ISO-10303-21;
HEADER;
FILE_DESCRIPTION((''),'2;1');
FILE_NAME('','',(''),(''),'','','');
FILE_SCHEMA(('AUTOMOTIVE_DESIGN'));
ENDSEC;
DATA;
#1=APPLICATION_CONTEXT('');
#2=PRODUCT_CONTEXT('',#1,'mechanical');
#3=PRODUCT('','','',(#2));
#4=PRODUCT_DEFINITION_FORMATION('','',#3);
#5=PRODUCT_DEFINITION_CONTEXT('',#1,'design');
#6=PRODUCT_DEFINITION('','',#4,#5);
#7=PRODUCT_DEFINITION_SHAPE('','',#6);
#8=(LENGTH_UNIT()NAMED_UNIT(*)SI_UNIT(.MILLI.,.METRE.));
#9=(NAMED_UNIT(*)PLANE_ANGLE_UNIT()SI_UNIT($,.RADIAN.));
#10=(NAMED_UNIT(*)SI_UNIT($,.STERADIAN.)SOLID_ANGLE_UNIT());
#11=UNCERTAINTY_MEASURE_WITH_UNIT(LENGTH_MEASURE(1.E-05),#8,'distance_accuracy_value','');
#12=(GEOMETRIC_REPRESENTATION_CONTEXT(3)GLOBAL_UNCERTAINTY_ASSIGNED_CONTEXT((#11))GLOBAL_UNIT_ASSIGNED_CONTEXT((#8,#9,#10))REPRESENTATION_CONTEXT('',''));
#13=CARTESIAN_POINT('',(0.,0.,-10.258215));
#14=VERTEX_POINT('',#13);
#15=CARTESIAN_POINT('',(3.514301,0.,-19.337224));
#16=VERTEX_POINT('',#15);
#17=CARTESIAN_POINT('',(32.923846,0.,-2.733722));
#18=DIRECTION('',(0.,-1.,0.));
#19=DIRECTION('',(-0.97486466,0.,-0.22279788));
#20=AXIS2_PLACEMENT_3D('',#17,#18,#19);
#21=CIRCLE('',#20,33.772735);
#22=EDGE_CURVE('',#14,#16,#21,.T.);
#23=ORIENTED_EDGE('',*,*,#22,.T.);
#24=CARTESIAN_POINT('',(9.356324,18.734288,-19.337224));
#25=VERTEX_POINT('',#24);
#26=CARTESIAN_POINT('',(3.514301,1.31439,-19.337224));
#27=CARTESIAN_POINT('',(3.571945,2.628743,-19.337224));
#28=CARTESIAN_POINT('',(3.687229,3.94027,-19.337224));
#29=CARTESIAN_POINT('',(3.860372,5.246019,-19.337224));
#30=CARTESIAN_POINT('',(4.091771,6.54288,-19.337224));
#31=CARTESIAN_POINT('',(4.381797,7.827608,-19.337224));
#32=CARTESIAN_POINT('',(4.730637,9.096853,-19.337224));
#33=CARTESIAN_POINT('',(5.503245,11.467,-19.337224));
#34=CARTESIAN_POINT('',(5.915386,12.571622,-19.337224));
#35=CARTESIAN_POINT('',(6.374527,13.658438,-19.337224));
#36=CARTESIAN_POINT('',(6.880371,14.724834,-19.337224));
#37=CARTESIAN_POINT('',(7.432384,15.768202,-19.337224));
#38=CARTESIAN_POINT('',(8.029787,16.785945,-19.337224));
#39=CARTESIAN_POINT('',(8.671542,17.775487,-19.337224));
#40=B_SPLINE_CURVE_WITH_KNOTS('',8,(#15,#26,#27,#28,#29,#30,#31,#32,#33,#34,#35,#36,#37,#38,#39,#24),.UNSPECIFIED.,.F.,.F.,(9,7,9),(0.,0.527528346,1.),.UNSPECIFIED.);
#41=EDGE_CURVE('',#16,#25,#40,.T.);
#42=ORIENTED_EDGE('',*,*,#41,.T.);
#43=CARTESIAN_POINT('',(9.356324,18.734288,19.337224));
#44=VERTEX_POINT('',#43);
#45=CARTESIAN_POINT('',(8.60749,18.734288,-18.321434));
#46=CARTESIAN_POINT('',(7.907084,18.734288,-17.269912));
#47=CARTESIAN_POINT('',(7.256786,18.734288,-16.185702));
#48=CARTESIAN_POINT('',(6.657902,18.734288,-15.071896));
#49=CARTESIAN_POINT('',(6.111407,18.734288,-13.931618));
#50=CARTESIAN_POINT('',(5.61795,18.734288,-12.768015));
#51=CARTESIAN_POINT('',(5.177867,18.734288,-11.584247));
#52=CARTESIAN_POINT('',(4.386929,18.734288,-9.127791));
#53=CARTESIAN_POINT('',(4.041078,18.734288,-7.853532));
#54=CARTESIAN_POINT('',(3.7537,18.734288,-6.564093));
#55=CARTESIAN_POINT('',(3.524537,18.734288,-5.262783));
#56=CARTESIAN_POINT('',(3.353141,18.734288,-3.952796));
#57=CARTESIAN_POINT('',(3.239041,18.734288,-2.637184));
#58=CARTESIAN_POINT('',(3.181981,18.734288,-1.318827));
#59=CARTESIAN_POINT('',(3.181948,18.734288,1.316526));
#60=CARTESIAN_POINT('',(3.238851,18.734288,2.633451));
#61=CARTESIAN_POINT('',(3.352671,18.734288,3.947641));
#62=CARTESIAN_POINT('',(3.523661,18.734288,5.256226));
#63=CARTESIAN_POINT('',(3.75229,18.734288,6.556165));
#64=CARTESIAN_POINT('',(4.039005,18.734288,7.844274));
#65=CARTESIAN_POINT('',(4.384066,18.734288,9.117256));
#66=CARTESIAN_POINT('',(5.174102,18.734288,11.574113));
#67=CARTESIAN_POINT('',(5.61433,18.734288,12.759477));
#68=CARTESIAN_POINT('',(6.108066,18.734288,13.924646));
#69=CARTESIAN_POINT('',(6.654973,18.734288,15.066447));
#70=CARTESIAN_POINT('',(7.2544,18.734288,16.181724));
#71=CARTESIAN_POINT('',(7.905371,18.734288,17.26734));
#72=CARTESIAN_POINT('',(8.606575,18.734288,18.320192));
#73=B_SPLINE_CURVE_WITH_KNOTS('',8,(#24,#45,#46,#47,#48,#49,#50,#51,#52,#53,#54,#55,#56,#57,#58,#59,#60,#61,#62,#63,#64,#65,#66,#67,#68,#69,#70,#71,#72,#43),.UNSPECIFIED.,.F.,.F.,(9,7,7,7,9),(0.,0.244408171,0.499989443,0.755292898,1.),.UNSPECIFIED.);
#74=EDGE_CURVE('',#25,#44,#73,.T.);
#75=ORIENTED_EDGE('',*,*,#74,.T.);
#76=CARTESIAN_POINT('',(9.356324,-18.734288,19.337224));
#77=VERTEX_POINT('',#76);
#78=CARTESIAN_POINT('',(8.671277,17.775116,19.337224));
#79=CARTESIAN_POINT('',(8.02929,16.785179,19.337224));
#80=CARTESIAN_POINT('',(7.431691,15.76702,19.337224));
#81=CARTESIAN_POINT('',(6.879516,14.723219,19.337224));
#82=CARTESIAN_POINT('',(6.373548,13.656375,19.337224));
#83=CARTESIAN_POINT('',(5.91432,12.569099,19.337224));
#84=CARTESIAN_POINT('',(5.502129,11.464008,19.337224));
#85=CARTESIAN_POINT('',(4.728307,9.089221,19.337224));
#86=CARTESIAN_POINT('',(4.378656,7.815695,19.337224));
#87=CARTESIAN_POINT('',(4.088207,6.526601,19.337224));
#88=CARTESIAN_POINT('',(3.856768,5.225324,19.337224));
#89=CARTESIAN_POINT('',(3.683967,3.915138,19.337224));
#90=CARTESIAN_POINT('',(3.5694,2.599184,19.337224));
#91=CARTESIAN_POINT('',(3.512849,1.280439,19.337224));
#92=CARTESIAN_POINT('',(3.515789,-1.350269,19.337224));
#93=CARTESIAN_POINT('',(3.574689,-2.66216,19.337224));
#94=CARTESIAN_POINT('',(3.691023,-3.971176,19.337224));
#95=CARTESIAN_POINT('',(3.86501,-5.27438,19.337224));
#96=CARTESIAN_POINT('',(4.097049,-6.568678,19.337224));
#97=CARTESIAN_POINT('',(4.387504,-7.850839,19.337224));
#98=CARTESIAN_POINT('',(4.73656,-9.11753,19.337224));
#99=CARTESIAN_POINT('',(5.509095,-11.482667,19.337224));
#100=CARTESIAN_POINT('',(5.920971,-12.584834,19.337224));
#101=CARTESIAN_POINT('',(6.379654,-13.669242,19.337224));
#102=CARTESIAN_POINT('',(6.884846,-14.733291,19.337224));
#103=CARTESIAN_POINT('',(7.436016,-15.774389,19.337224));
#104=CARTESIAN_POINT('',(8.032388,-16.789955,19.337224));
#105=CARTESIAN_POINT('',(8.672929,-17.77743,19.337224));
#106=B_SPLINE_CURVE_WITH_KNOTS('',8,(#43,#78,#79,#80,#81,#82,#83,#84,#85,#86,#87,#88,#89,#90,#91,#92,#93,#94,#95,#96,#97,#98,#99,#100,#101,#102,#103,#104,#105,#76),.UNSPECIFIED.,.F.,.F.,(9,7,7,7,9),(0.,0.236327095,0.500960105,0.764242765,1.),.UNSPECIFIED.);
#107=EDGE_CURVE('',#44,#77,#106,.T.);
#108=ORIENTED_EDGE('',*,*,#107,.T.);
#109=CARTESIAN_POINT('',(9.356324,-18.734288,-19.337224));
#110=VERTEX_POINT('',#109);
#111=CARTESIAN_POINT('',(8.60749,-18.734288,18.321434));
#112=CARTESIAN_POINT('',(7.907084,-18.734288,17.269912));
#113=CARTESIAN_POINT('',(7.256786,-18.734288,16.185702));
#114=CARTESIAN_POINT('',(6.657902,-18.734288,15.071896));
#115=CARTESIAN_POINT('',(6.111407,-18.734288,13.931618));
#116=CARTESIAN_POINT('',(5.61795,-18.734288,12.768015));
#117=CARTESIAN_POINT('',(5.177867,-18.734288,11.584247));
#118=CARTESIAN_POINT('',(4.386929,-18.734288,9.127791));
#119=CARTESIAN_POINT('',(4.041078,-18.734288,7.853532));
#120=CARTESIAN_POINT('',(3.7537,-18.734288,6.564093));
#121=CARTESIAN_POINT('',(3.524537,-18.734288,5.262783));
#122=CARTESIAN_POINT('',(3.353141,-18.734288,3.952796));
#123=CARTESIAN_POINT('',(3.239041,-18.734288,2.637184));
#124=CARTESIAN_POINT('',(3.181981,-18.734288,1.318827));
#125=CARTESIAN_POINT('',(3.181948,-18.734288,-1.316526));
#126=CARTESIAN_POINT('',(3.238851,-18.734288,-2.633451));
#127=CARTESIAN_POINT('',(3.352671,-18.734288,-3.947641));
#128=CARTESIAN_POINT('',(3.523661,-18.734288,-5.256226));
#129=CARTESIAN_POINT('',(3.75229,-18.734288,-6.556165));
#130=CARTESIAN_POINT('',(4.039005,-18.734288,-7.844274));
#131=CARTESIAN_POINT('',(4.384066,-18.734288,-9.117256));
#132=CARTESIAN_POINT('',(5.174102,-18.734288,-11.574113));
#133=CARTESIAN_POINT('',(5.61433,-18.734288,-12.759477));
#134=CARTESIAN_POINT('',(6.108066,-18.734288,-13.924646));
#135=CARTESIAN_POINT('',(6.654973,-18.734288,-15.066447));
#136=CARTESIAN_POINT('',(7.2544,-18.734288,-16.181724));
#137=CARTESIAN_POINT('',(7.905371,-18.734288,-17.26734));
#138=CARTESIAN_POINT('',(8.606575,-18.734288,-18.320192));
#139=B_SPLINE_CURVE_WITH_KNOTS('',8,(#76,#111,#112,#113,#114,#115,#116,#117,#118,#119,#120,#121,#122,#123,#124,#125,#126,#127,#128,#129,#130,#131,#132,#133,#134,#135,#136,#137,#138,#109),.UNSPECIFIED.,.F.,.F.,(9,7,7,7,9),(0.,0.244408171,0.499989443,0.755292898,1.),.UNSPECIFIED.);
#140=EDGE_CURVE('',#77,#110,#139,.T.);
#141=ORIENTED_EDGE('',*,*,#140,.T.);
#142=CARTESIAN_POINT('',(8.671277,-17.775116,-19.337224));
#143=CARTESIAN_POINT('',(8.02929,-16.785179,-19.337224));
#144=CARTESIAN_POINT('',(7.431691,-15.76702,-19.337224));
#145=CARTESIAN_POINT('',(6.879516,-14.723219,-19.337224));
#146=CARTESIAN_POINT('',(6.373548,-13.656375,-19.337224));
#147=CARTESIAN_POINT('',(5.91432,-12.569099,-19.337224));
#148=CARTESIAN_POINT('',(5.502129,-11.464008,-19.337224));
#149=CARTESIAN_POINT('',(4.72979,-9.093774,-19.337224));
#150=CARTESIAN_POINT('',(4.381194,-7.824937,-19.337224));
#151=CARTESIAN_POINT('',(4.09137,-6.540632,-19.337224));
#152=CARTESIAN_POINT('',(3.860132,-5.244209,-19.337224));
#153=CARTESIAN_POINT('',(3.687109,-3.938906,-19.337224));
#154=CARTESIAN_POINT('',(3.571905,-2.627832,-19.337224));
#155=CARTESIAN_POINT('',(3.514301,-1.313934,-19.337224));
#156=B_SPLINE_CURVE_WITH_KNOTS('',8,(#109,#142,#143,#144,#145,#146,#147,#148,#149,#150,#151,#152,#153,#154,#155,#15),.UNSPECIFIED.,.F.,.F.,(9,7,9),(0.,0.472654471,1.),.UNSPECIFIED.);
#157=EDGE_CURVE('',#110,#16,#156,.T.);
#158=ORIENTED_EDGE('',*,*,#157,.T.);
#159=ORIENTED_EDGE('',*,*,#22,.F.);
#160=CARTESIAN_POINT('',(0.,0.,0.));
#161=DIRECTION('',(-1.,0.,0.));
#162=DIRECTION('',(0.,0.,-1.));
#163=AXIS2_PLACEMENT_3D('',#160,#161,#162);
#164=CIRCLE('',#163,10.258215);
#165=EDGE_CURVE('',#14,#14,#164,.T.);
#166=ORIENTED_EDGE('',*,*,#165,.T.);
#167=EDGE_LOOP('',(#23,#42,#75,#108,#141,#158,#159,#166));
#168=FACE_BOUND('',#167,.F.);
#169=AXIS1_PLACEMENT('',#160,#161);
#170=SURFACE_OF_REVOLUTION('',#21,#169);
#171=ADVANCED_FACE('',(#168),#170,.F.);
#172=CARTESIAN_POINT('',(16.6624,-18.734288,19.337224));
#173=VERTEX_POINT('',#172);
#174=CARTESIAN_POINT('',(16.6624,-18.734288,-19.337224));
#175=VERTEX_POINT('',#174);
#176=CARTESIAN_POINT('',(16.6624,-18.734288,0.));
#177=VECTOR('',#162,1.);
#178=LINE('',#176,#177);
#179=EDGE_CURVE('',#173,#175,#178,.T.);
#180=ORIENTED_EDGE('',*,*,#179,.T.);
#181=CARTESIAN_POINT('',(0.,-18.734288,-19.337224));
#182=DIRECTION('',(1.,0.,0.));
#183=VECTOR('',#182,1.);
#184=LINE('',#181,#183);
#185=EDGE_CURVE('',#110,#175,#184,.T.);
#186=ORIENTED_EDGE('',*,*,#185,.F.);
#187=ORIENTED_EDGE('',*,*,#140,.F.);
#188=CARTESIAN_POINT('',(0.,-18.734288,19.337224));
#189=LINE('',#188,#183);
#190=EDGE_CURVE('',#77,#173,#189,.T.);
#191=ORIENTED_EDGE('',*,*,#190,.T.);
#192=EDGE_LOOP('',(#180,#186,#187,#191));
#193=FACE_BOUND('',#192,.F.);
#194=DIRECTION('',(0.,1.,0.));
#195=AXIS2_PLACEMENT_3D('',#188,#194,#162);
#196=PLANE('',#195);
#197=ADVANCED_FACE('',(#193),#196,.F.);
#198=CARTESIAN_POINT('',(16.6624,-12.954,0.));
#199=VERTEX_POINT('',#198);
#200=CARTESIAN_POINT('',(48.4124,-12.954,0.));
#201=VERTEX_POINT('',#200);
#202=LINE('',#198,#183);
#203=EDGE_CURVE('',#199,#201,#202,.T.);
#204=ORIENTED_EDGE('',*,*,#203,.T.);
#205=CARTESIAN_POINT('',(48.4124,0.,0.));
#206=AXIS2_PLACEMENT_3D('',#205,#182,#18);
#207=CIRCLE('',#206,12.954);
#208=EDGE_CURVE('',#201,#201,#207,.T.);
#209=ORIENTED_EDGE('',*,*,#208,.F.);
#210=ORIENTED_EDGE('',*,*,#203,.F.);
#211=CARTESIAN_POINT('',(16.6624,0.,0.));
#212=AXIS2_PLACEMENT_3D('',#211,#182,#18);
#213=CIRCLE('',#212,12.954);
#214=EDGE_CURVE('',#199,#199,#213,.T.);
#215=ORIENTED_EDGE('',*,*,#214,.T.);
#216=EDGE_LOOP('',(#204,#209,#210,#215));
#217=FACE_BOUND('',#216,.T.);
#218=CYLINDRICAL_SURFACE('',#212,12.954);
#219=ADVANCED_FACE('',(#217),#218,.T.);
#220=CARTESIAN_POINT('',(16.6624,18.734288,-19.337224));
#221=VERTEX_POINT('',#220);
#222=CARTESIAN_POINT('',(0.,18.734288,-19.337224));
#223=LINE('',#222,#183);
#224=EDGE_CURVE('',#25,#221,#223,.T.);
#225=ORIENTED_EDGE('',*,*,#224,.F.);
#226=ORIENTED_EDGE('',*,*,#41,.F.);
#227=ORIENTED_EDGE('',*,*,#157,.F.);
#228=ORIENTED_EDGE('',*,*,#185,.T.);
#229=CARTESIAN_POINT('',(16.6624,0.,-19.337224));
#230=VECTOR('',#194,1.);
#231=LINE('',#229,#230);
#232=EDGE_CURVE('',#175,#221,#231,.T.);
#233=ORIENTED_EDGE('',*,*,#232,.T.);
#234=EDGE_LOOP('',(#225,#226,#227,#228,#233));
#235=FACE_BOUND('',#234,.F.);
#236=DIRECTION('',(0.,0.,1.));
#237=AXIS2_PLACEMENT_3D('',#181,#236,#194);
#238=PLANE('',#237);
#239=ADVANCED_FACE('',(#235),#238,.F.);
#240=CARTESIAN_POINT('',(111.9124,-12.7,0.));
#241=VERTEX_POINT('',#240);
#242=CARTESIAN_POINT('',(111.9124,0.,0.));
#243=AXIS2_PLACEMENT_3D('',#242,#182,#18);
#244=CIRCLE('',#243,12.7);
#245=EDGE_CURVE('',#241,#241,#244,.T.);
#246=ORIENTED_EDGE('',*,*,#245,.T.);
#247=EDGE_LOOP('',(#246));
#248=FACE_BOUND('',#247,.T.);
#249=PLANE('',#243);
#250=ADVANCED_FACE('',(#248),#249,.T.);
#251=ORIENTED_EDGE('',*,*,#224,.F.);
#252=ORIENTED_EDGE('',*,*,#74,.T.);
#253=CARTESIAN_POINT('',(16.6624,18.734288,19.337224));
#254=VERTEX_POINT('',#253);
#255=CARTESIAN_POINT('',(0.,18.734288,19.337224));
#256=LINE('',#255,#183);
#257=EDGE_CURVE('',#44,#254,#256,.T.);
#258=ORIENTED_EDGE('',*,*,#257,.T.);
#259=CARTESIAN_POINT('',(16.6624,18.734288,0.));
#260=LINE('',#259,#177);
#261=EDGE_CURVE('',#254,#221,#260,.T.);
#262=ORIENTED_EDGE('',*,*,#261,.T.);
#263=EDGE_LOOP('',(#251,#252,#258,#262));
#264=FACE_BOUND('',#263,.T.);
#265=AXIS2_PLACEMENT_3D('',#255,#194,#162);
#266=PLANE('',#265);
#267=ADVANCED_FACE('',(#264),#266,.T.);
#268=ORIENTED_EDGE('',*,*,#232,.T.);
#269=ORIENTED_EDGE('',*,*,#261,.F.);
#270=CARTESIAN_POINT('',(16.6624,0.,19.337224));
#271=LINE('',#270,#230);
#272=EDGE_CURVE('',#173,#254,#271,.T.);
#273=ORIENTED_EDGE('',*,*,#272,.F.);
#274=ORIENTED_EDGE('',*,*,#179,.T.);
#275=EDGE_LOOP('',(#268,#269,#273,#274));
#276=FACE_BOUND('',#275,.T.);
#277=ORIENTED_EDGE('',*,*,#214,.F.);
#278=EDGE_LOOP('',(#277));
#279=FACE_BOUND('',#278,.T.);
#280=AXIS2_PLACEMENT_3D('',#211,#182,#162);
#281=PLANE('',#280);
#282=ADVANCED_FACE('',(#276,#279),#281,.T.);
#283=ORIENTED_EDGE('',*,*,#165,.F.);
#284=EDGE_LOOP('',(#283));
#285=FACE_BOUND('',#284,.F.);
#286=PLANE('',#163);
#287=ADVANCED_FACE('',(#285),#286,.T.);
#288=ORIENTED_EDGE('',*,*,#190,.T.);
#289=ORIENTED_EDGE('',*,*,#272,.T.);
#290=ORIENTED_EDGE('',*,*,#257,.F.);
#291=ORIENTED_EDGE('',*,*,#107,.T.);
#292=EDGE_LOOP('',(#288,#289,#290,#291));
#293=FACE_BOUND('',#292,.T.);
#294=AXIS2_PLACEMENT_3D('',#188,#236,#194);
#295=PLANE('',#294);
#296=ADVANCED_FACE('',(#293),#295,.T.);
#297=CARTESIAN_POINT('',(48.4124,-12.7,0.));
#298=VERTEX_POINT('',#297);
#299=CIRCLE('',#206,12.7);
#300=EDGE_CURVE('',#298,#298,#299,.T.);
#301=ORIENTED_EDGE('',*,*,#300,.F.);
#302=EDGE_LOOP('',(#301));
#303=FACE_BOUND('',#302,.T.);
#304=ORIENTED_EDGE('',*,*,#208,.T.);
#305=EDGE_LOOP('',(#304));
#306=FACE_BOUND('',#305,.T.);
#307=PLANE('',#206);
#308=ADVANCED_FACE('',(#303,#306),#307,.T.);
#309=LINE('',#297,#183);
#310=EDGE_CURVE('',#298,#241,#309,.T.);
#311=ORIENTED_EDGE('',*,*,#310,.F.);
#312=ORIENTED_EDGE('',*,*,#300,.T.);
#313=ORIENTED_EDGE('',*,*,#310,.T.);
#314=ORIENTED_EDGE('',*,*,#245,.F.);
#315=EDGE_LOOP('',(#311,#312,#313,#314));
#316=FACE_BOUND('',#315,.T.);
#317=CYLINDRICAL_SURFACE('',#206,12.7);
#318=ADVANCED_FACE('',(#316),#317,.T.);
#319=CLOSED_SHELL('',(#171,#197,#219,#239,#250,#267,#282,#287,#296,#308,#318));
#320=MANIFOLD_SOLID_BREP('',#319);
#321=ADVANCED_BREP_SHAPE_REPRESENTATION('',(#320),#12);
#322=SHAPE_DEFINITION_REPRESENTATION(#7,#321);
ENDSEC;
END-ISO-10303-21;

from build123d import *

# Parameters (mm, degrees)
SKETCH2_W      = 38.6744488
SKETCH2_H      = 37.46857502
EXTRUDE1_DEPTH = 16.6624


with BuildPart() as part:
    # Sketch1 → Revolve1 (revolve)
    with BuildSketch(Plane.XY, mode=Mode.PRIVATE) as revolve1_sk:
        Polygon((111.9124, 0), (16.6624, 0), (16.6624, 12.954), (48.4124, 12.954), (48.4124, 12.7), (111.9124, 12.7), align=None)
    revolve(revolve1_sk.sketch.rotate(Axis((0, 0, 0), (1, 0, 0)), 180), axis=Axis((0, 0, 0), (1, 0, 0)))

    # Sketch2 → Extrude1 (add)
    with BuildSketch(Plane(origin=(0, 0, 0), x_dir=(0, 0, -1), z_dir=(1, 0, 0))):
        Rectangle(SKETCH2_W, SKETCH2_H)
    extrude(amount=EXTRUDE1_DEPTH)

    # Sketch3 → Cut-Revolve1 (revolve, cut)
    with BuildSketch(Plane.XY, mode=Mode.PRIVATE) as cut_revolve1_sk:
        with BuildLine():
            Line((0, 0), (0, 10.258215468))
            ThreePointArc((0, 10.258215468), (5.469928088, 22.402987857), (15.210208347, 31.488280924))
            Line((15.210208347, 31.488280924), (-5.301244899, 31.488280924))
            Line((-5.301244899, 31.488280924), (-5.301244899, 0))
            Line((-5.301244899, 0), (0, 0))
        make_face()
    revolve(cut_revolve1_sk.sketch.rotate(Axis((0, 0, 0), (-1, 0, 0)), 90), axis=Axis((0, 0, 0), (-1, 0, 0)), mode=Mode.SUBTRACT)


solid = part.part
